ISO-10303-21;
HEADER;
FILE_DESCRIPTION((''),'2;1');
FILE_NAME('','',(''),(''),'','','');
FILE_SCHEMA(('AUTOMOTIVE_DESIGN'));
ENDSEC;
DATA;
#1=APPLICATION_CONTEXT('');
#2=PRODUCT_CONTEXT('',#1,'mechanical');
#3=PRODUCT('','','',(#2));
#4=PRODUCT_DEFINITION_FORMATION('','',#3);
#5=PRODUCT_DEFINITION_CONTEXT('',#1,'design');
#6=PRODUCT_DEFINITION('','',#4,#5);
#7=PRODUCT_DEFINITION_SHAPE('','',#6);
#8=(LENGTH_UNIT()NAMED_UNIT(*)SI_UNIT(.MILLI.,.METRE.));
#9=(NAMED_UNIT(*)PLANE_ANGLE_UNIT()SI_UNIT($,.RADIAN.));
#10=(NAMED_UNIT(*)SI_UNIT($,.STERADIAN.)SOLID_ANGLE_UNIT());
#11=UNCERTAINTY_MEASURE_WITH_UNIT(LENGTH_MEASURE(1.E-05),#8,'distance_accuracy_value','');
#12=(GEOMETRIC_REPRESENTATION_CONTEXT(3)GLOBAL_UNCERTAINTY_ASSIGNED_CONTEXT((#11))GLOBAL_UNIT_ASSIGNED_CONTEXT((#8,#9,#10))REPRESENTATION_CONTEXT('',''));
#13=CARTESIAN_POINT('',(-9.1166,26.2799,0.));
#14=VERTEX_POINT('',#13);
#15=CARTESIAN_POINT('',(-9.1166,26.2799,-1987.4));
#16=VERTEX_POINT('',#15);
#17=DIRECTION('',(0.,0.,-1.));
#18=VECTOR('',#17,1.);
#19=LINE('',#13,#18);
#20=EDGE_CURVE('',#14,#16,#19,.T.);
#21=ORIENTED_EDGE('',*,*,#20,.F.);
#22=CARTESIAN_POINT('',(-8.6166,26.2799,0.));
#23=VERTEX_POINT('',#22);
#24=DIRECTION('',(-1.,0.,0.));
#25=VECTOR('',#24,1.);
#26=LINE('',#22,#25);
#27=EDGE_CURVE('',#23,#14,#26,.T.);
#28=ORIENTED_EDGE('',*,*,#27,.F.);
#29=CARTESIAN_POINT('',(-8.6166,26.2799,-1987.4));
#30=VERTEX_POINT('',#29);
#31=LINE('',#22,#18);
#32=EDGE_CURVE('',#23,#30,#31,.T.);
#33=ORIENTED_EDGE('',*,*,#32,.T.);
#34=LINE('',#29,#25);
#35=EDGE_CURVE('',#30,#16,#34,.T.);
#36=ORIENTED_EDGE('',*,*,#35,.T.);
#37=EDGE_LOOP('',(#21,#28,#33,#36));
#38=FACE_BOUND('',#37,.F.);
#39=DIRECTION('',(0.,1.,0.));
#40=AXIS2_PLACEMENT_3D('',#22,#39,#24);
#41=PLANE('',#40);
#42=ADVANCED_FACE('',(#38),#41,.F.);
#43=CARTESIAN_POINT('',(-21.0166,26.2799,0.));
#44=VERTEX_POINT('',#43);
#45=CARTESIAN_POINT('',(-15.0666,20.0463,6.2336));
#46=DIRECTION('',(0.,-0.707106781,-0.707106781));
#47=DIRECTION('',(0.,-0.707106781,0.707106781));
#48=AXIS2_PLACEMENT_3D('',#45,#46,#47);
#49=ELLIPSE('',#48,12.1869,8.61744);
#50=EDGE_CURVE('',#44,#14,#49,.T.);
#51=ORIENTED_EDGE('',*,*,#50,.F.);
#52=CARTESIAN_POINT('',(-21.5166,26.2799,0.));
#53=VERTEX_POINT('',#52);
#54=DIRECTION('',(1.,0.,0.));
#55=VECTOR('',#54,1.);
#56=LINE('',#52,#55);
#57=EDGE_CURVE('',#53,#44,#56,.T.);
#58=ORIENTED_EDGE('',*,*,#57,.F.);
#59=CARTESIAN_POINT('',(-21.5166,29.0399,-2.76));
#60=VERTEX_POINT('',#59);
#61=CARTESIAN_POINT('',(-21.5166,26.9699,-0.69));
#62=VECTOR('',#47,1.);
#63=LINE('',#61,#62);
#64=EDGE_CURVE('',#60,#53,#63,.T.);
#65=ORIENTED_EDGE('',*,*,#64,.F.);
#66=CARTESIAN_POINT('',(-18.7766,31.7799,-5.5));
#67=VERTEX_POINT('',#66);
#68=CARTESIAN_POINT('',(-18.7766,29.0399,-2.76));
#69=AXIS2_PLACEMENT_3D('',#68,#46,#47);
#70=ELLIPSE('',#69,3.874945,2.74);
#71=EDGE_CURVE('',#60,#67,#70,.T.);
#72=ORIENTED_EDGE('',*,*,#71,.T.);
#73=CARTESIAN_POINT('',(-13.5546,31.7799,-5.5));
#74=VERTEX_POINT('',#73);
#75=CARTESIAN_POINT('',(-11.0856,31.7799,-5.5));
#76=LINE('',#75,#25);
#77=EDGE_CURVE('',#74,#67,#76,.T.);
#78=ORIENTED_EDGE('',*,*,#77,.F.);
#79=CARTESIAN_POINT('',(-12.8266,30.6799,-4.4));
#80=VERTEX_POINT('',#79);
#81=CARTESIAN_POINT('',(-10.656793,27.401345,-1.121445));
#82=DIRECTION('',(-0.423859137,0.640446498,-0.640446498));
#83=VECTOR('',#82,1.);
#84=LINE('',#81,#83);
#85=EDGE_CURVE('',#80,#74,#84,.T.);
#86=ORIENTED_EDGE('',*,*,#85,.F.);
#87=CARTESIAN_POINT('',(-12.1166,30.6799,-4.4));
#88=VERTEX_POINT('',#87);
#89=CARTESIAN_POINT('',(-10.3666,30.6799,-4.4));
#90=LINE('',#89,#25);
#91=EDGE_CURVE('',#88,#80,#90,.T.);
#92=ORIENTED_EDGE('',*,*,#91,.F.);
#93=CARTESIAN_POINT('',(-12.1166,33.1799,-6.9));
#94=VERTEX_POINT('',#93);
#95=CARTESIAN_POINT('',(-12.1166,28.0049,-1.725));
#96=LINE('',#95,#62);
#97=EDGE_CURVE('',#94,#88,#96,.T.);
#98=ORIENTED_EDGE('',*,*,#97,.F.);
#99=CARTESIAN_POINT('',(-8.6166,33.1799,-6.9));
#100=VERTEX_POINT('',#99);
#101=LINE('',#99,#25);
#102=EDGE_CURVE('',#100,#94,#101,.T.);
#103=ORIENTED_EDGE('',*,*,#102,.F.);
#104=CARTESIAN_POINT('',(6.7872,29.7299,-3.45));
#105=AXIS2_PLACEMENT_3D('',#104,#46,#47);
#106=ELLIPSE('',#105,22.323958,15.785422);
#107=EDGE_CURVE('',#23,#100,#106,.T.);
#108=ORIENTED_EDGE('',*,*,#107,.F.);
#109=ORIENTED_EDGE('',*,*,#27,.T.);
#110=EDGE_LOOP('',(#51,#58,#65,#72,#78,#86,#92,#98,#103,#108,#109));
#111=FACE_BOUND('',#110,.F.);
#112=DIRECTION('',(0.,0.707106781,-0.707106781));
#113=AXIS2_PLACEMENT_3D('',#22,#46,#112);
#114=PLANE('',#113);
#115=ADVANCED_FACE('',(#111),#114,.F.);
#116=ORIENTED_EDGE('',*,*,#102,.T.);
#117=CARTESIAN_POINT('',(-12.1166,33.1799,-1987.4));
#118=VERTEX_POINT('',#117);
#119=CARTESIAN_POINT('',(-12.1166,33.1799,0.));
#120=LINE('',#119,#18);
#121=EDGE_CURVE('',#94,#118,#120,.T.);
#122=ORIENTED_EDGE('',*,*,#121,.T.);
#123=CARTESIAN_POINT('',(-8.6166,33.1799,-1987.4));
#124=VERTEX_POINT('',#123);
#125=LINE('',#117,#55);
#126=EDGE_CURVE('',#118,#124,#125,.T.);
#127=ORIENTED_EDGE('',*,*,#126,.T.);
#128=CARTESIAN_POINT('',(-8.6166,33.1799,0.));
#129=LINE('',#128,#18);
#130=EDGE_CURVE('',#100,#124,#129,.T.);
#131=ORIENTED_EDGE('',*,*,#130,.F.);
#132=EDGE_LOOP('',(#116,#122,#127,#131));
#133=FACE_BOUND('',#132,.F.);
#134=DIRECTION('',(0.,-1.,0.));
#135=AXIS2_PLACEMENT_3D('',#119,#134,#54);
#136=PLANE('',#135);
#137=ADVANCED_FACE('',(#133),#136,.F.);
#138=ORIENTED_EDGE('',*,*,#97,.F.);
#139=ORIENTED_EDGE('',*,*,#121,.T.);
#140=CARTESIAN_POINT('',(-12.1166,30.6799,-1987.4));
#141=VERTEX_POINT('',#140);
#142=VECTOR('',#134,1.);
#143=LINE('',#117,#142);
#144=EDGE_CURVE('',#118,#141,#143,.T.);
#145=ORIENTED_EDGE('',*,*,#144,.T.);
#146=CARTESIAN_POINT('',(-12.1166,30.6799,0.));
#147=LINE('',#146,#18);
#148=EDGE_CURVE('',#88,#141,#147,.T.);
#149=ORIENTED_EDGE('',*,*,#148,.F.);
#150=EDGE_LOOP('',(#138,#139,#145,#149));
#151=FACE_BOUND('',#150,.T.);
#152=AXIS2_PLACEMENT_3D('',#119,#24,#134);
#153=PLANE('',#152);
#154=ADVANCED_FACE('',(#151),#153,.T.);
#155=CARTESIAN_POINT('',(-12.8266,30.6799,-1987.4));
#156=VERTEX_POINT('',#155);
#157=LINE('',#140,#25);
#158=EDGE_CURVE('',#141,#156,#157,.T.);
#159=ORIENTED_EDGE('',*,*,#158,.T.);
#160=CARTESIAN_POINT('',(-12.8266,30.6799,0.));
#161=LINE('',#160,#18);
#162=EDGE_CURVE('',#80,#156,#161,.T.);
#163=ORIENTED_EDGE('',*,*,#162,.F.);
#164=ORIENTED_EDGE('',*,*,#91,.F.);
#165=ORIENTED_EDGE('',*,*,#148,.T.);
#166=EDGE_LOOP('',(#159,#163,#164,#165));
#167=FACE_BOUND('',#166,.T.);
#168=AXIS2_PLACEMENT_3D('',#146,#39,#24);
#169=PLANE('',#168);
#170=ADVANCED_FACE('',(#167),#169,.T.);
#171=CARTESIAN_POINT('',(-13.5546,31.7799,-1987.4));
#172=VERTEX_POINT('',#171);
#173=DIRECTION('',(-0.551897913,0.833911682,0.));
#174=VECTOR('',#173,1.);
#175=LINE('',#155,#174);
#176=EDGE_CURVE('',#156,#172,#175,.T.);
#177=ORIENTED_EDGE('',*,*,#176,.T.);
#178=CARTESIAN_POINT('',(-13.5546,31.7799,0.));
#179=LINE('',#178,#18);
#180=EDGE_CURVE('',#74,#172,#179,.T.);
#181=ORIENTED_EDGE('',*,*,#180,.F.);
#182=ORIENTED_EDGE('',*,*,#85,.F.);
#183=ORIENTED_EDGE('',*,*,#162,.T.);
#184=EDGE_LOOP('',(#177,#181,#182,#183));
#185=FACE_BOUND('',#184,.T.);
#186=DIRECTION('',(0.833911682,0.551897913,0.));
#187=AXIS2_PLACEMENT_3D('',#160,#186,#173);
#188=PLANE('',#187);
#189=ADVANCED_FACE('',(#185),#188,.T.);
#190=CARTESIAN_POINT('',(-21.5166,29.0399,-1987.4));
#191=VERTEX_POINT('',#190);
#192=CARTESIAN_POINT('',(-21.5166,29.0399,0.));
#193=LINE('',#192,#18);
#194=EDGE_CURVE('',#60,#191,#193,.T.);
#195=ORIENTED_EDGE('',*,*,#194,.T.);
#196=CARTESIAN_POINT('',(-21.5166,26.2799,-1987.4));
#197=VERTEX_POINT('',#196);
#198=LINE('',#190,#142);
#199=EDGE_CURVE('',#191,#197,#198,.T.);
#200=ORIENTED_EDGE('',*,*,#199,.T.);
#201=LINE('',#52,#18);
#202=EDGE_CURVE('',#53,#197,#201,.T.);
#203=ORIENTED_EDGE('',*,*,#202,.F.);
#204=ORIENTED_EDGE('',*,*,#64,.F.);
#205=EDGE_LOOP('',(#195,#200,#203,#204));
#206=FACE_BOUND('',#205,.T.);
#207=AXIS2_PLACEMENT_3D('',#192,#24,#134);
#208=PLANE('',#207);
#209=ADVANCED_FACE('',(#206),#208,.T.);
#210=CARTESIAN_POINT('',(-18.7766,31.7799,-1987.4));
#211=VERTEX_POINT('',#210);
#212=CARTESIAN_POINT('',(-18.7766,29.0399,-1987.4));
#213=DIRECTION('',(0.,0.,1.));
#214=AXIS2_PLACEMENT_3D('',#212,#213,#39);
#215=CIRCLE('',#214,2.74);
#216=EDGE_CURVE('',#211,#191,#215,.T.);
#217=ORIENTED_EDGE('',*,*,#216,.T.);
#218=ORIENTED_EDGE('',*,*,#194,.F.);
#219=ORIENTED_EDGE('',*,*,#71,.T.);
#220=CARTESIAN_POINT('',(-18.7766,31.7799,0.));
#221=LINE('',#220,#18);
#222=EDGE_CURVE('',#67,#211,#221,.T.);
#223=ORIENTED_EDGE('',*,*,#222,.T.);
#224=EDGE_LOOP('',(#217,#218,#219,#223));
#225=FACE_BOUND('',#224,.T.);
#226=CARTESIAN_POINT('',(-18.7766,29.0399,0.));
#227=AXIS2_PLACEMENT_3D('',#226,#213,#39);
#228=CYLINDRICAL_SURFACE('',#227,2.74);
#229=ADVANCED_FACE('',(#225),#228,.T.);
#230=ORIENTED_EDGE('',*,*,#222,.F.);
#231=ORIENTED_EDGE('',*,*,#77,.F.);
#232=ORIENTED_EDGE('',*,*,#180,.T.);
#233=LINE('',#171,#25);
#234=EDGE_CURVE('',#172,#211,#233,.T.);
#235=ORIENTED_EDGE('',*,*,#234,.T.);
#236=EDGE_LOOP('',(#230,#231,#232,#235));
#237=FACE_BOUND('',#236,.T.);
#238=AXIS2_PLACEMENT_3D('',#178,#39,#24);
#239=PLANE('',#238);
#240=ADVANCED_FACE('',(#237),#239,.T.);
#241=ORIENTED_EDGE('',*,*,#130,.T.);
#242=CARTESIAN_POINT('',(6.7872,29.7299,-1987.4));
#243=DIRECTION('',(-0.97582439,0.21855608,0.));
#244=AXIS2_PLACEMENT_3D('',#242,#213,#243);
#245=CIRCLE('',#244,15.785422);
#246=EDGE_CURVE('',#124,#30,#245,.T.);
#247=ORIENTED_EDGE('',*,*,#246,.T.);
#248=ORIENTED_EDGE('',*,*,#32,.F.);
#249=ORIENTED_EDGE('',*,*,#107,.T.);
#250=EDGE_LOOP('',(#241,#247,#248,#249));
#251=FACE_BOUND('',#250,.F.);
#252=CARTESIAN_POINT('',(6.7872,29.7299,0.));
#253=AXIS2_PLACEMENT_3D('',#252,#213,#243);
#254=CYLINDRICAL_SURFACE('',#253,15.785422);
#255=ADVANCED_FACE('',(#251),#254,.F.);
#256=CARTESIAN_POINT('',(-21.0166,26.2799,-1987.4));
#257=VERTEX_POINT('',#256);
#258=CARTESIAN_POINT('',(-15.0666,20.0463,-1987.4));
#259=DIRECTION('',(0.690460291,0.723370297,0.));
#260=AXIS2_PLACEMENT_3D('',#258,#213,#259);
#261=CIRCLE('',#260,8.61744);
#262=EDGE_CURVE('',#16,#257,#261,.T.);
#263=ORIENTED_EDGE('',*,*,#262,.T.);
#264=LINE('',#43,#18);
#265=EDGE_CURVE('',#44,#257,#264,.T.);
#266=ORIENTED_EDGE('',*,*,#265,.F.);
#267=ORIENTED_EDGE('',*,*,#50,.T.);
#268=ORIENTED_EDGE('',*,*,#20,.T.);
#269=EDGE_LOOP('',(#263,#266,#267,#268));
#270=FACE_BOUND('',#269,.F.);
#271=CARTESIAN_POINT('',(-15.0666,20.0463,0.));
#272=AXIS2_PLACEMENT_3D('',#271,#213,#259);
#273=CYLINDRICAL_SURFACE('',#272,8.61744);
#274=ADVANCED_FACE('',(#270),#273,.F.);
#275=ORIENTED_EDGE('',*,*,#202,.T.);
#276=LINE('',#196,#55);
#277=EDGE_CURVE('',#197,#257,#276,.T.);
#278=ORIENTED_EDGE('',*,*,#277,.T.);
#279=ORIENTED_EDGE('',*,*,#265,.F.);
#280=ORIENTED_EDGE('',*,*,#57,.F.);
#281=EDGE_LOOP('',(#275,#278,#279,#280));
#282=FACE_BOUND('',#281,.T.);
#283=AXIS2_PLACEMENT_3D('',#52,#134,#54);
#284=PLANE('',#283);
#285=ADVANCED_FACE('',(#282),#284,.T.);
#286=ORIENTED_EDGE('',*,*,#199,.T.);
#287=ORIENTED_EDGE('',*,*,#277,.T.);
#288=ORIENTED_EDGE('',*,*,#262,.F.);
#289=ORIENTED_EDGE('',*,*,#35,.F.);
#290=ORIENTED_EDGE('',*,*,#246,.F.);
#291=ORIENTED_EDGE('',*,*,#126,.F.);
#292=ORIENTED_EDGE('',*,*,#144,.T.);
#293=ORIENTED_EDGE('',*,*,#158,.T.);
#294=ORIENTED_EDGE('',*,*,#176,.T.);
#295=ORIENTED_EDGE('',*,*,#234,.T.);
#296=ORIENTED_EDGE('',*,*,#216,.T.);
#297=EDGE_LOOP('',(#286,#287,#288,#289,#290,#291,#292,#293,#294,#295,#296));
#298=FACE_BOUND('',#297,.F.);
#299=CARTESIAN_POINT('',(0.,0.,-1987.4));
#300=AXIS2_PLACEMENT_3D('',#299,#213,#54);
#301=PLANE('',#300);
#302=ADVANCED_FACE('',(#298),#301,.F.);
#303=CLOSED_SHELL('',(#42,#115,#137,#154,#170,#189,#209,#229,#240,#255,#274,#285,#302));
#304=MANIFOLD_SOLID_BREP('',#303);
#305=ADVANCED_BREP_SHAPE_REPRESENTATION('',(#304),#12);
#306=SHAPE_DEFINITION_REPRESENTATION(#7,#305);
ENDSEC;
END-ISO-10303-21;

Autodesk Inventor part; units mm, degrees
ref_plane "YZ Plane" through (0, 0, 0) normal (1, 0, 0) x (0, 1, 0)
sketch "Boceto1" plane through (0, 0, 0) normal (0, 0, 1) x (1, 0, 0)
  line L0 (-13.5546, 31.7799) -> (-18.7766, 31.7799)
  line L1 (-12.1166, 33.1799) -> (-12.1166, 30.6799)
  line L2 (-12.1166, 30.6799) -> (-12.8266, 30.6799)
  line L3 (-12.8266, 30.6799) -> (-13.5546, 31.7799)
  arc A0 (-18.7766, 31.7799) -> (-21.5166, 29.0399) centre (-18.7766, 29.0399) ccw
  line L4 (-12.1166, 33.1799) -> (-8.6166, 33.1799)
  line L5 (-21.5166, 29.0399) -> (-21.5166, 26.2799)
  arc A1 (-8.6166, 33.1799) -> (-8.6166, 26.2799) centre (6.7872, 29.7299) ccw
  line L6 (-21.5166, 26.2799) -> (-21.0166, 26.2799)
  line L7 (-8.6166, 26.2799) -> (-9.1166, 26.2799)
  line L8 (-8.6166, 38.7215) -> (-8.6166, 22.0906) construction
  arc A2 (-9.1166, 26.2799) -> (-21.0166, 26.2799) centre (-15.0666, 20.0463) ccw
  dimension "d218" = 2.5
  dimension "d219" = 0.71
  dimension "d221" = 33.5
  dimension "d223" = 2.74
  dimension "d281" = 3.5
  dimension "d288" = 2.76
  dimension "d291" = 0.5
  dimension "d292" = 0.5
  dimension "d301" = 5.2219
extrude "Extrusión1" add sketch "Boceto1" against normal blind 1987.4
ref_plane "Plano de trabajo1" through (-8.6166, 33.1799, 0) normal (-1, 0, 0) x (0, 0, -1)
ref_plane "Plano de trabajo2" through (0, 0, -993.7) normal (0, 0, 1) x (1, 0, 0)
sketch "Boceto2" plane through (-8.6166, 33.1799, 0) normal (-1, 0, 0) x (0, 0, -1)
  line L0 (0, 0) -> (0, 6.9) projected
  line L1 (0, 0) -> (1987.4, 0) projected
  line L2 (6.9, 0) -> (0, 0)
  line L3 (0, 0) -> (0, 6.9)
  line L4 (0, 6.9) -> (1987.4, 6.9) projected
  line L5 (0, 6.9) -> (6.9, 0)
  point P0 (0, 0)
  dimension "d300" = 45
extrude "Extrusión2" cut sketch "Boceto2" along normal through all
properties part number "SP40-02 JUNTA INT CRISTAL 1987ç mm" material "Caucho"
